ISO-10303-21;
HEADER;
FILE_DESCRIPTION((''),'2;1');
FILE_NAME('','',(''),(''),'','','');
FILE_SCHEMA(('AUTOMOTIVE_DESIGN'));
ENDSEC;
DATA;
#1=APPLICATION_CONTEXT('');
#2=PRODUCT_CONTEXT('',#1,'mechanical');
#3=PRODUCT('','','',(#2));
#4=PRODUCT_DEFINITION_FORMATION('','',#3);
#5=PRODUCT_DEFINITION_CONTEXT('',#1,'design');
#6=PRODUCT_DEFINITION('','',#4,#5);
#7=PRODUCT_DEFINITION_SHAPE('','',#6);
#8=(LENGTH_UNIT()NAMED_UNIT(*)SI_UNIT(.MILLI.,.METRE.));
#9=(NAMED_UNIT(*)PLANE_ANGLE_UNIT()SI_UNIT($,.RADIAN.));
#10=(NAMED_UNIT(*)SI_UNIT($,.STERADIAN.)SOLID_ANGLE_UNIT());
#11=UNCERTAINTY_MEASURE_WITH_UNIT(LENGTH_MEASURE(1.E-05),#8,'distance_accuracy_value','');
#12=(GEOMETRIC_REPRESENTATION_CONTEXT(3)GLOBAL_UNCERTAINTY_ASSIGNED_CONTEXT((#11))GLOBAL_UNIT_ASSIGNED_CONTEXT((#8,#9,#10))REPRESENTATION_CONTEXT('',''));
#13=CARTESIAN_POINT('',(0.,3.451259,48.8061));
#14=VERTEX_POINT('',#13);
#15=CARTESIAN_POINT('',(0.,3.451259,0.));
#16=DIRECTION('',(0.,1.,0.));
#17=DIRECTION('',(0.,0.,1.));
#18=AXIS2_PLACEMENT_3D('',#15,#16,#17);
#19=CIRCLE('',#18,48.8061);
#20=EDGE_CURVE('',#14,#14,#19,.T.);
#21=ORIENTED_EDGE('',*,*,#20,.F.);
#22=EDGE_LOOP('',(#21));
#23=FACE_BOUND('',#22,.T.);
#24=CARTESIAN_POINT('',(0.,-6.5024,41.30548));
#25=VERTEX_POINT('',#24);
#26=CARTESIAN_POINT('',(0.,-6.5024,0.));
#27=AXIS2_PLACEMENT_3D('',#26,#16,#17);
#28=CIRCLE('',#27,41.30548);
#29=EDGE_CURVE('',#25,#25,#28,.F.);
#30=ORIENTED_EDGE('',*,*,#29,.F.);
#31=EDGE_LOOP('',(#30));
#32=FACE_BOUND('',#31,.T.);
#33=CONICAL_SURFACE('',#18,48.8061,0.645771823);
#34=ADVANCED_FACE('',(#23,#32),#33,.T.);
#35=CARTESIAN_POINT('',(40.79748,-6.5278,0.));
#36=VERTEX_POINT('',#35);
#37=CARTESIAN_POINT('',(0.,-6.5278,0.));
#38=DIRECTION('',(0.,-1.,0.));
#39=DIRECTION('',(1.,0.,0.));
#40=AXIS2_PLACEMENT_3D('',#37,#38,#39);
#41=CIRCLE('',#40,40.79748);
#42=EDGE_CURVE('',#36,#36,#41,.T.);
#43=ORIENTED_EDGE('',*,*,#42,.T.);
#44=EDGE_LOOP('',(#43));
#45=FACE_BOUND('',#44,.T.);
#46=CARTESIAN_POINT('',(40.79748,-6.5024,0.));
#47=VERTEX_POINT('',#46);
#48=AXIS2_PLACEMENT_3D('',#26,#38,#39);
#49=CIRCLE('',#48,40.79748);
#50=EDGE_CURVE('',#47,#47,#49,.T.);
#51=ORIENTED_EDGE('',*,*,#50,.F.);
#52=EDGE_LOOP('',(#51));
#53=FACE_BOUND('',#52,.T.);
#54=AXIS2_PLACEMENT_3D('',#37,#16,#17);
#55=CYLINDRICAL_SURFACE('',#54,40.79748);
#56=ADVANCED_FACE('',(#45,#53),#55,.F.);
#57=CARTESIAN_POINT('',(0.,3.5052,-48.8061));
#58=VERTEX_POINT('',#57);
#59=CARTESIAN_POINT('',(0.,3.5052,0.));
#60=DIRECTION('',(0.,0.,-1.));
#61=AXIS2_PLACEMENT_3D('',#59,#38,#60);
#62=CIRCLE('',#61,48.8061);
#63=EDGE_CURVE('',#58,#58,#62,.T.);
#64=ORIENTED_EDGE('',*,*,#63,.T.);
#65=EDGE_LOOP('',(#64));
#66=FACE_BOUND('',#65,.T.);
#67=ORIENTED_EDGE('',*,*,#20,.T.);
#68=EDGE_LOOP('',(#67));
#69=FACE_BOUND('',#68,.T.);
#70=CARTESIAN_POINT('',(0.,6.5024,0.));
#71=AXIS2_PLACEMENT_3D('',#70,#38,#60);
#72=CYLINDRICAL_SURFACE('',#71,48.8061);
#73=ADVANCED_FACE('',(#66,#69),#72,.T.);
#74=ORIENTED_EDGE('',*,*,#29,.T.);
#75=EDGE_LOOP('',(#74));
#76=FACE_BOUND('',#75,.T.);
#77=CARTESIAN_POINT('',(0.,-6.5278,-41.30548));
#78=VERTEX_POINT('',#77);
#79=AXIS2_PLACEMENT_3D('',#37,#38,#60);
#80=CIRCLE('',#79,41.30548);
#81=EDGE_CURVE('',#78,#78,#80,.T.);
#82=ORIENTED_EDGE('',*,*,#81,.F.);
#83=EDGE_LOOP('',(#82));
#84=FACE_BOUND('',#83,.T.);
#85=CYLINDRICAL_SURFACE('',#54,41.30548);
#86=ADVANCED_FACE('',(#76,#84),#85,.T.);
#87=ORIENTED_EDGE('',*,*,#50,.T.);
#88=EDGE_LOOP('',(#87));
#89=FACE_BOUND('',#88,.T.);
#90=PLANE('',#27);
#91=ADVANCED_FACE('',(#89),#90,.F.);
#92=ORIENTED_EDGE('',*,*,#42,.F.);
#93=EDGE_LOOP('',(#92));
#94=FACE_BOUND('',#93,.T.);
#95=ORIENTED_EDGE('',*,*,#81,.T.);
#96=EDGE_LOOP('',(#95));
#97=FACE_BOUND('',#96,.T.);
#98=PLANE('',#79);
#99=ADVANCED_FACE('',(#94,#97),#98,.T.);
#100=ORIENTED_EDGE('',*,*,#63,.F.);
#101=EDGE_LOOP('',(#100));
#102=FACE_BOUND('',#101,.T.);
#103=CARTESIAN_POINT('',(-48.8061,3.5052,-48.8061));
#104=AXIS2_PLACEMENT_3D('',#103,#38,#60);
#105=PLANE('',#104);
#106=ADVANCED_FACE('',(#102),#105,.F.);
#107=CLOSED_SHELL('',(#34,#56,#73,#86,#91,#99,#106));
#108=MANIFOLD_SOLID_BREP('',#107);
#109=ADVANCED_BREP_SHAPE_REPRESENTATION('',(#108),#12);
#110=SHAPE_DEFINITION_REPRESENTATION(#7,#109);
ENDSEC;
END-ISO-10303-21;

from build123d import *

# Parameters (mm, degrees)
SKETCH1_R               = 48.8061
EXTRUDE1_DEPTH          = 6.5024
CHAMFER2_SIZE           = 7.50062
CHAMFER2_SIZE2          = 9.95365893
SKETCH6_R               = 41.30548
SKETCH6_R_2             = 40.79748
EXTRUDE_THIN2_DEPTH     = 0.0254
CUT_EXTRUDE1_DEPTH      = 70.330245689
CUT_EXTRUDE1_DEPTH_BACK = 70.330245689
SKETCH7_W               = 97.6122
SKETCH7_H               = 2.9972


with BuildPart() as part:
    # Sketch1 → Extrude1 (new, symmetric)
    with BuildSketch(Plane(origin=(0, 0, 0), x_dir=(1, 0, 0), z_dir=(0, 1, 0))):
        with Locations(Location((0, 0, 0), (0, 0, 270))):
            Circle(SKETCH1_R)
    extrude(amount=EXTRUDE1_DEPTH, both=True)

    # Chamfer2
    chamfer2_edges = [part.edges().sort_by_distance(p)[0] for p in [
        (0, -6.5024, -48.8061),
    ]]
    chamfer2_side = [part.faces().sort_by_distance(p)[0] for p in [
        (0, -6.5024, 0),
    ]]
    chamfer(chamfer2_edges, length=CHAMFER2_SIZE, length2=CHAMFER2_SIZE2, reference=chamfer2_side[0])

    # Sketch6 → Extrude-Thin2 (add)
    with BuildSketch(Plane.XZ.offset(6.5024)):
        Circle(SKETCH6_R)
        Circle(SKETCH6_R_2, mode=Mode.SUBTRACT)
    extrude(amount=EXTRUDE_THIN2_DEPTH)

    # Sketch7 → Cut-Extrude1 (cut, two sides: drawn at the far end of the back side and taken through both)
    with BuildSketch(Plane(origin=(0, 0, 0), x_dir=(0, 0, -1), z_dir=(1, 0, 0)).offset(-CUT_EXTRUDE1_DEPTH_BACK)):
        with Locations((0, 5.0038)):
            Rectangle(SKETCH7_W, SKETCH7_H)
    extrude(amount=CUT_EXTRUDE1_DEPTH + CUT_EXTRUDE1_DEPTH_BACK, mode=Mode.SUBTRACT)


solid = part.part
